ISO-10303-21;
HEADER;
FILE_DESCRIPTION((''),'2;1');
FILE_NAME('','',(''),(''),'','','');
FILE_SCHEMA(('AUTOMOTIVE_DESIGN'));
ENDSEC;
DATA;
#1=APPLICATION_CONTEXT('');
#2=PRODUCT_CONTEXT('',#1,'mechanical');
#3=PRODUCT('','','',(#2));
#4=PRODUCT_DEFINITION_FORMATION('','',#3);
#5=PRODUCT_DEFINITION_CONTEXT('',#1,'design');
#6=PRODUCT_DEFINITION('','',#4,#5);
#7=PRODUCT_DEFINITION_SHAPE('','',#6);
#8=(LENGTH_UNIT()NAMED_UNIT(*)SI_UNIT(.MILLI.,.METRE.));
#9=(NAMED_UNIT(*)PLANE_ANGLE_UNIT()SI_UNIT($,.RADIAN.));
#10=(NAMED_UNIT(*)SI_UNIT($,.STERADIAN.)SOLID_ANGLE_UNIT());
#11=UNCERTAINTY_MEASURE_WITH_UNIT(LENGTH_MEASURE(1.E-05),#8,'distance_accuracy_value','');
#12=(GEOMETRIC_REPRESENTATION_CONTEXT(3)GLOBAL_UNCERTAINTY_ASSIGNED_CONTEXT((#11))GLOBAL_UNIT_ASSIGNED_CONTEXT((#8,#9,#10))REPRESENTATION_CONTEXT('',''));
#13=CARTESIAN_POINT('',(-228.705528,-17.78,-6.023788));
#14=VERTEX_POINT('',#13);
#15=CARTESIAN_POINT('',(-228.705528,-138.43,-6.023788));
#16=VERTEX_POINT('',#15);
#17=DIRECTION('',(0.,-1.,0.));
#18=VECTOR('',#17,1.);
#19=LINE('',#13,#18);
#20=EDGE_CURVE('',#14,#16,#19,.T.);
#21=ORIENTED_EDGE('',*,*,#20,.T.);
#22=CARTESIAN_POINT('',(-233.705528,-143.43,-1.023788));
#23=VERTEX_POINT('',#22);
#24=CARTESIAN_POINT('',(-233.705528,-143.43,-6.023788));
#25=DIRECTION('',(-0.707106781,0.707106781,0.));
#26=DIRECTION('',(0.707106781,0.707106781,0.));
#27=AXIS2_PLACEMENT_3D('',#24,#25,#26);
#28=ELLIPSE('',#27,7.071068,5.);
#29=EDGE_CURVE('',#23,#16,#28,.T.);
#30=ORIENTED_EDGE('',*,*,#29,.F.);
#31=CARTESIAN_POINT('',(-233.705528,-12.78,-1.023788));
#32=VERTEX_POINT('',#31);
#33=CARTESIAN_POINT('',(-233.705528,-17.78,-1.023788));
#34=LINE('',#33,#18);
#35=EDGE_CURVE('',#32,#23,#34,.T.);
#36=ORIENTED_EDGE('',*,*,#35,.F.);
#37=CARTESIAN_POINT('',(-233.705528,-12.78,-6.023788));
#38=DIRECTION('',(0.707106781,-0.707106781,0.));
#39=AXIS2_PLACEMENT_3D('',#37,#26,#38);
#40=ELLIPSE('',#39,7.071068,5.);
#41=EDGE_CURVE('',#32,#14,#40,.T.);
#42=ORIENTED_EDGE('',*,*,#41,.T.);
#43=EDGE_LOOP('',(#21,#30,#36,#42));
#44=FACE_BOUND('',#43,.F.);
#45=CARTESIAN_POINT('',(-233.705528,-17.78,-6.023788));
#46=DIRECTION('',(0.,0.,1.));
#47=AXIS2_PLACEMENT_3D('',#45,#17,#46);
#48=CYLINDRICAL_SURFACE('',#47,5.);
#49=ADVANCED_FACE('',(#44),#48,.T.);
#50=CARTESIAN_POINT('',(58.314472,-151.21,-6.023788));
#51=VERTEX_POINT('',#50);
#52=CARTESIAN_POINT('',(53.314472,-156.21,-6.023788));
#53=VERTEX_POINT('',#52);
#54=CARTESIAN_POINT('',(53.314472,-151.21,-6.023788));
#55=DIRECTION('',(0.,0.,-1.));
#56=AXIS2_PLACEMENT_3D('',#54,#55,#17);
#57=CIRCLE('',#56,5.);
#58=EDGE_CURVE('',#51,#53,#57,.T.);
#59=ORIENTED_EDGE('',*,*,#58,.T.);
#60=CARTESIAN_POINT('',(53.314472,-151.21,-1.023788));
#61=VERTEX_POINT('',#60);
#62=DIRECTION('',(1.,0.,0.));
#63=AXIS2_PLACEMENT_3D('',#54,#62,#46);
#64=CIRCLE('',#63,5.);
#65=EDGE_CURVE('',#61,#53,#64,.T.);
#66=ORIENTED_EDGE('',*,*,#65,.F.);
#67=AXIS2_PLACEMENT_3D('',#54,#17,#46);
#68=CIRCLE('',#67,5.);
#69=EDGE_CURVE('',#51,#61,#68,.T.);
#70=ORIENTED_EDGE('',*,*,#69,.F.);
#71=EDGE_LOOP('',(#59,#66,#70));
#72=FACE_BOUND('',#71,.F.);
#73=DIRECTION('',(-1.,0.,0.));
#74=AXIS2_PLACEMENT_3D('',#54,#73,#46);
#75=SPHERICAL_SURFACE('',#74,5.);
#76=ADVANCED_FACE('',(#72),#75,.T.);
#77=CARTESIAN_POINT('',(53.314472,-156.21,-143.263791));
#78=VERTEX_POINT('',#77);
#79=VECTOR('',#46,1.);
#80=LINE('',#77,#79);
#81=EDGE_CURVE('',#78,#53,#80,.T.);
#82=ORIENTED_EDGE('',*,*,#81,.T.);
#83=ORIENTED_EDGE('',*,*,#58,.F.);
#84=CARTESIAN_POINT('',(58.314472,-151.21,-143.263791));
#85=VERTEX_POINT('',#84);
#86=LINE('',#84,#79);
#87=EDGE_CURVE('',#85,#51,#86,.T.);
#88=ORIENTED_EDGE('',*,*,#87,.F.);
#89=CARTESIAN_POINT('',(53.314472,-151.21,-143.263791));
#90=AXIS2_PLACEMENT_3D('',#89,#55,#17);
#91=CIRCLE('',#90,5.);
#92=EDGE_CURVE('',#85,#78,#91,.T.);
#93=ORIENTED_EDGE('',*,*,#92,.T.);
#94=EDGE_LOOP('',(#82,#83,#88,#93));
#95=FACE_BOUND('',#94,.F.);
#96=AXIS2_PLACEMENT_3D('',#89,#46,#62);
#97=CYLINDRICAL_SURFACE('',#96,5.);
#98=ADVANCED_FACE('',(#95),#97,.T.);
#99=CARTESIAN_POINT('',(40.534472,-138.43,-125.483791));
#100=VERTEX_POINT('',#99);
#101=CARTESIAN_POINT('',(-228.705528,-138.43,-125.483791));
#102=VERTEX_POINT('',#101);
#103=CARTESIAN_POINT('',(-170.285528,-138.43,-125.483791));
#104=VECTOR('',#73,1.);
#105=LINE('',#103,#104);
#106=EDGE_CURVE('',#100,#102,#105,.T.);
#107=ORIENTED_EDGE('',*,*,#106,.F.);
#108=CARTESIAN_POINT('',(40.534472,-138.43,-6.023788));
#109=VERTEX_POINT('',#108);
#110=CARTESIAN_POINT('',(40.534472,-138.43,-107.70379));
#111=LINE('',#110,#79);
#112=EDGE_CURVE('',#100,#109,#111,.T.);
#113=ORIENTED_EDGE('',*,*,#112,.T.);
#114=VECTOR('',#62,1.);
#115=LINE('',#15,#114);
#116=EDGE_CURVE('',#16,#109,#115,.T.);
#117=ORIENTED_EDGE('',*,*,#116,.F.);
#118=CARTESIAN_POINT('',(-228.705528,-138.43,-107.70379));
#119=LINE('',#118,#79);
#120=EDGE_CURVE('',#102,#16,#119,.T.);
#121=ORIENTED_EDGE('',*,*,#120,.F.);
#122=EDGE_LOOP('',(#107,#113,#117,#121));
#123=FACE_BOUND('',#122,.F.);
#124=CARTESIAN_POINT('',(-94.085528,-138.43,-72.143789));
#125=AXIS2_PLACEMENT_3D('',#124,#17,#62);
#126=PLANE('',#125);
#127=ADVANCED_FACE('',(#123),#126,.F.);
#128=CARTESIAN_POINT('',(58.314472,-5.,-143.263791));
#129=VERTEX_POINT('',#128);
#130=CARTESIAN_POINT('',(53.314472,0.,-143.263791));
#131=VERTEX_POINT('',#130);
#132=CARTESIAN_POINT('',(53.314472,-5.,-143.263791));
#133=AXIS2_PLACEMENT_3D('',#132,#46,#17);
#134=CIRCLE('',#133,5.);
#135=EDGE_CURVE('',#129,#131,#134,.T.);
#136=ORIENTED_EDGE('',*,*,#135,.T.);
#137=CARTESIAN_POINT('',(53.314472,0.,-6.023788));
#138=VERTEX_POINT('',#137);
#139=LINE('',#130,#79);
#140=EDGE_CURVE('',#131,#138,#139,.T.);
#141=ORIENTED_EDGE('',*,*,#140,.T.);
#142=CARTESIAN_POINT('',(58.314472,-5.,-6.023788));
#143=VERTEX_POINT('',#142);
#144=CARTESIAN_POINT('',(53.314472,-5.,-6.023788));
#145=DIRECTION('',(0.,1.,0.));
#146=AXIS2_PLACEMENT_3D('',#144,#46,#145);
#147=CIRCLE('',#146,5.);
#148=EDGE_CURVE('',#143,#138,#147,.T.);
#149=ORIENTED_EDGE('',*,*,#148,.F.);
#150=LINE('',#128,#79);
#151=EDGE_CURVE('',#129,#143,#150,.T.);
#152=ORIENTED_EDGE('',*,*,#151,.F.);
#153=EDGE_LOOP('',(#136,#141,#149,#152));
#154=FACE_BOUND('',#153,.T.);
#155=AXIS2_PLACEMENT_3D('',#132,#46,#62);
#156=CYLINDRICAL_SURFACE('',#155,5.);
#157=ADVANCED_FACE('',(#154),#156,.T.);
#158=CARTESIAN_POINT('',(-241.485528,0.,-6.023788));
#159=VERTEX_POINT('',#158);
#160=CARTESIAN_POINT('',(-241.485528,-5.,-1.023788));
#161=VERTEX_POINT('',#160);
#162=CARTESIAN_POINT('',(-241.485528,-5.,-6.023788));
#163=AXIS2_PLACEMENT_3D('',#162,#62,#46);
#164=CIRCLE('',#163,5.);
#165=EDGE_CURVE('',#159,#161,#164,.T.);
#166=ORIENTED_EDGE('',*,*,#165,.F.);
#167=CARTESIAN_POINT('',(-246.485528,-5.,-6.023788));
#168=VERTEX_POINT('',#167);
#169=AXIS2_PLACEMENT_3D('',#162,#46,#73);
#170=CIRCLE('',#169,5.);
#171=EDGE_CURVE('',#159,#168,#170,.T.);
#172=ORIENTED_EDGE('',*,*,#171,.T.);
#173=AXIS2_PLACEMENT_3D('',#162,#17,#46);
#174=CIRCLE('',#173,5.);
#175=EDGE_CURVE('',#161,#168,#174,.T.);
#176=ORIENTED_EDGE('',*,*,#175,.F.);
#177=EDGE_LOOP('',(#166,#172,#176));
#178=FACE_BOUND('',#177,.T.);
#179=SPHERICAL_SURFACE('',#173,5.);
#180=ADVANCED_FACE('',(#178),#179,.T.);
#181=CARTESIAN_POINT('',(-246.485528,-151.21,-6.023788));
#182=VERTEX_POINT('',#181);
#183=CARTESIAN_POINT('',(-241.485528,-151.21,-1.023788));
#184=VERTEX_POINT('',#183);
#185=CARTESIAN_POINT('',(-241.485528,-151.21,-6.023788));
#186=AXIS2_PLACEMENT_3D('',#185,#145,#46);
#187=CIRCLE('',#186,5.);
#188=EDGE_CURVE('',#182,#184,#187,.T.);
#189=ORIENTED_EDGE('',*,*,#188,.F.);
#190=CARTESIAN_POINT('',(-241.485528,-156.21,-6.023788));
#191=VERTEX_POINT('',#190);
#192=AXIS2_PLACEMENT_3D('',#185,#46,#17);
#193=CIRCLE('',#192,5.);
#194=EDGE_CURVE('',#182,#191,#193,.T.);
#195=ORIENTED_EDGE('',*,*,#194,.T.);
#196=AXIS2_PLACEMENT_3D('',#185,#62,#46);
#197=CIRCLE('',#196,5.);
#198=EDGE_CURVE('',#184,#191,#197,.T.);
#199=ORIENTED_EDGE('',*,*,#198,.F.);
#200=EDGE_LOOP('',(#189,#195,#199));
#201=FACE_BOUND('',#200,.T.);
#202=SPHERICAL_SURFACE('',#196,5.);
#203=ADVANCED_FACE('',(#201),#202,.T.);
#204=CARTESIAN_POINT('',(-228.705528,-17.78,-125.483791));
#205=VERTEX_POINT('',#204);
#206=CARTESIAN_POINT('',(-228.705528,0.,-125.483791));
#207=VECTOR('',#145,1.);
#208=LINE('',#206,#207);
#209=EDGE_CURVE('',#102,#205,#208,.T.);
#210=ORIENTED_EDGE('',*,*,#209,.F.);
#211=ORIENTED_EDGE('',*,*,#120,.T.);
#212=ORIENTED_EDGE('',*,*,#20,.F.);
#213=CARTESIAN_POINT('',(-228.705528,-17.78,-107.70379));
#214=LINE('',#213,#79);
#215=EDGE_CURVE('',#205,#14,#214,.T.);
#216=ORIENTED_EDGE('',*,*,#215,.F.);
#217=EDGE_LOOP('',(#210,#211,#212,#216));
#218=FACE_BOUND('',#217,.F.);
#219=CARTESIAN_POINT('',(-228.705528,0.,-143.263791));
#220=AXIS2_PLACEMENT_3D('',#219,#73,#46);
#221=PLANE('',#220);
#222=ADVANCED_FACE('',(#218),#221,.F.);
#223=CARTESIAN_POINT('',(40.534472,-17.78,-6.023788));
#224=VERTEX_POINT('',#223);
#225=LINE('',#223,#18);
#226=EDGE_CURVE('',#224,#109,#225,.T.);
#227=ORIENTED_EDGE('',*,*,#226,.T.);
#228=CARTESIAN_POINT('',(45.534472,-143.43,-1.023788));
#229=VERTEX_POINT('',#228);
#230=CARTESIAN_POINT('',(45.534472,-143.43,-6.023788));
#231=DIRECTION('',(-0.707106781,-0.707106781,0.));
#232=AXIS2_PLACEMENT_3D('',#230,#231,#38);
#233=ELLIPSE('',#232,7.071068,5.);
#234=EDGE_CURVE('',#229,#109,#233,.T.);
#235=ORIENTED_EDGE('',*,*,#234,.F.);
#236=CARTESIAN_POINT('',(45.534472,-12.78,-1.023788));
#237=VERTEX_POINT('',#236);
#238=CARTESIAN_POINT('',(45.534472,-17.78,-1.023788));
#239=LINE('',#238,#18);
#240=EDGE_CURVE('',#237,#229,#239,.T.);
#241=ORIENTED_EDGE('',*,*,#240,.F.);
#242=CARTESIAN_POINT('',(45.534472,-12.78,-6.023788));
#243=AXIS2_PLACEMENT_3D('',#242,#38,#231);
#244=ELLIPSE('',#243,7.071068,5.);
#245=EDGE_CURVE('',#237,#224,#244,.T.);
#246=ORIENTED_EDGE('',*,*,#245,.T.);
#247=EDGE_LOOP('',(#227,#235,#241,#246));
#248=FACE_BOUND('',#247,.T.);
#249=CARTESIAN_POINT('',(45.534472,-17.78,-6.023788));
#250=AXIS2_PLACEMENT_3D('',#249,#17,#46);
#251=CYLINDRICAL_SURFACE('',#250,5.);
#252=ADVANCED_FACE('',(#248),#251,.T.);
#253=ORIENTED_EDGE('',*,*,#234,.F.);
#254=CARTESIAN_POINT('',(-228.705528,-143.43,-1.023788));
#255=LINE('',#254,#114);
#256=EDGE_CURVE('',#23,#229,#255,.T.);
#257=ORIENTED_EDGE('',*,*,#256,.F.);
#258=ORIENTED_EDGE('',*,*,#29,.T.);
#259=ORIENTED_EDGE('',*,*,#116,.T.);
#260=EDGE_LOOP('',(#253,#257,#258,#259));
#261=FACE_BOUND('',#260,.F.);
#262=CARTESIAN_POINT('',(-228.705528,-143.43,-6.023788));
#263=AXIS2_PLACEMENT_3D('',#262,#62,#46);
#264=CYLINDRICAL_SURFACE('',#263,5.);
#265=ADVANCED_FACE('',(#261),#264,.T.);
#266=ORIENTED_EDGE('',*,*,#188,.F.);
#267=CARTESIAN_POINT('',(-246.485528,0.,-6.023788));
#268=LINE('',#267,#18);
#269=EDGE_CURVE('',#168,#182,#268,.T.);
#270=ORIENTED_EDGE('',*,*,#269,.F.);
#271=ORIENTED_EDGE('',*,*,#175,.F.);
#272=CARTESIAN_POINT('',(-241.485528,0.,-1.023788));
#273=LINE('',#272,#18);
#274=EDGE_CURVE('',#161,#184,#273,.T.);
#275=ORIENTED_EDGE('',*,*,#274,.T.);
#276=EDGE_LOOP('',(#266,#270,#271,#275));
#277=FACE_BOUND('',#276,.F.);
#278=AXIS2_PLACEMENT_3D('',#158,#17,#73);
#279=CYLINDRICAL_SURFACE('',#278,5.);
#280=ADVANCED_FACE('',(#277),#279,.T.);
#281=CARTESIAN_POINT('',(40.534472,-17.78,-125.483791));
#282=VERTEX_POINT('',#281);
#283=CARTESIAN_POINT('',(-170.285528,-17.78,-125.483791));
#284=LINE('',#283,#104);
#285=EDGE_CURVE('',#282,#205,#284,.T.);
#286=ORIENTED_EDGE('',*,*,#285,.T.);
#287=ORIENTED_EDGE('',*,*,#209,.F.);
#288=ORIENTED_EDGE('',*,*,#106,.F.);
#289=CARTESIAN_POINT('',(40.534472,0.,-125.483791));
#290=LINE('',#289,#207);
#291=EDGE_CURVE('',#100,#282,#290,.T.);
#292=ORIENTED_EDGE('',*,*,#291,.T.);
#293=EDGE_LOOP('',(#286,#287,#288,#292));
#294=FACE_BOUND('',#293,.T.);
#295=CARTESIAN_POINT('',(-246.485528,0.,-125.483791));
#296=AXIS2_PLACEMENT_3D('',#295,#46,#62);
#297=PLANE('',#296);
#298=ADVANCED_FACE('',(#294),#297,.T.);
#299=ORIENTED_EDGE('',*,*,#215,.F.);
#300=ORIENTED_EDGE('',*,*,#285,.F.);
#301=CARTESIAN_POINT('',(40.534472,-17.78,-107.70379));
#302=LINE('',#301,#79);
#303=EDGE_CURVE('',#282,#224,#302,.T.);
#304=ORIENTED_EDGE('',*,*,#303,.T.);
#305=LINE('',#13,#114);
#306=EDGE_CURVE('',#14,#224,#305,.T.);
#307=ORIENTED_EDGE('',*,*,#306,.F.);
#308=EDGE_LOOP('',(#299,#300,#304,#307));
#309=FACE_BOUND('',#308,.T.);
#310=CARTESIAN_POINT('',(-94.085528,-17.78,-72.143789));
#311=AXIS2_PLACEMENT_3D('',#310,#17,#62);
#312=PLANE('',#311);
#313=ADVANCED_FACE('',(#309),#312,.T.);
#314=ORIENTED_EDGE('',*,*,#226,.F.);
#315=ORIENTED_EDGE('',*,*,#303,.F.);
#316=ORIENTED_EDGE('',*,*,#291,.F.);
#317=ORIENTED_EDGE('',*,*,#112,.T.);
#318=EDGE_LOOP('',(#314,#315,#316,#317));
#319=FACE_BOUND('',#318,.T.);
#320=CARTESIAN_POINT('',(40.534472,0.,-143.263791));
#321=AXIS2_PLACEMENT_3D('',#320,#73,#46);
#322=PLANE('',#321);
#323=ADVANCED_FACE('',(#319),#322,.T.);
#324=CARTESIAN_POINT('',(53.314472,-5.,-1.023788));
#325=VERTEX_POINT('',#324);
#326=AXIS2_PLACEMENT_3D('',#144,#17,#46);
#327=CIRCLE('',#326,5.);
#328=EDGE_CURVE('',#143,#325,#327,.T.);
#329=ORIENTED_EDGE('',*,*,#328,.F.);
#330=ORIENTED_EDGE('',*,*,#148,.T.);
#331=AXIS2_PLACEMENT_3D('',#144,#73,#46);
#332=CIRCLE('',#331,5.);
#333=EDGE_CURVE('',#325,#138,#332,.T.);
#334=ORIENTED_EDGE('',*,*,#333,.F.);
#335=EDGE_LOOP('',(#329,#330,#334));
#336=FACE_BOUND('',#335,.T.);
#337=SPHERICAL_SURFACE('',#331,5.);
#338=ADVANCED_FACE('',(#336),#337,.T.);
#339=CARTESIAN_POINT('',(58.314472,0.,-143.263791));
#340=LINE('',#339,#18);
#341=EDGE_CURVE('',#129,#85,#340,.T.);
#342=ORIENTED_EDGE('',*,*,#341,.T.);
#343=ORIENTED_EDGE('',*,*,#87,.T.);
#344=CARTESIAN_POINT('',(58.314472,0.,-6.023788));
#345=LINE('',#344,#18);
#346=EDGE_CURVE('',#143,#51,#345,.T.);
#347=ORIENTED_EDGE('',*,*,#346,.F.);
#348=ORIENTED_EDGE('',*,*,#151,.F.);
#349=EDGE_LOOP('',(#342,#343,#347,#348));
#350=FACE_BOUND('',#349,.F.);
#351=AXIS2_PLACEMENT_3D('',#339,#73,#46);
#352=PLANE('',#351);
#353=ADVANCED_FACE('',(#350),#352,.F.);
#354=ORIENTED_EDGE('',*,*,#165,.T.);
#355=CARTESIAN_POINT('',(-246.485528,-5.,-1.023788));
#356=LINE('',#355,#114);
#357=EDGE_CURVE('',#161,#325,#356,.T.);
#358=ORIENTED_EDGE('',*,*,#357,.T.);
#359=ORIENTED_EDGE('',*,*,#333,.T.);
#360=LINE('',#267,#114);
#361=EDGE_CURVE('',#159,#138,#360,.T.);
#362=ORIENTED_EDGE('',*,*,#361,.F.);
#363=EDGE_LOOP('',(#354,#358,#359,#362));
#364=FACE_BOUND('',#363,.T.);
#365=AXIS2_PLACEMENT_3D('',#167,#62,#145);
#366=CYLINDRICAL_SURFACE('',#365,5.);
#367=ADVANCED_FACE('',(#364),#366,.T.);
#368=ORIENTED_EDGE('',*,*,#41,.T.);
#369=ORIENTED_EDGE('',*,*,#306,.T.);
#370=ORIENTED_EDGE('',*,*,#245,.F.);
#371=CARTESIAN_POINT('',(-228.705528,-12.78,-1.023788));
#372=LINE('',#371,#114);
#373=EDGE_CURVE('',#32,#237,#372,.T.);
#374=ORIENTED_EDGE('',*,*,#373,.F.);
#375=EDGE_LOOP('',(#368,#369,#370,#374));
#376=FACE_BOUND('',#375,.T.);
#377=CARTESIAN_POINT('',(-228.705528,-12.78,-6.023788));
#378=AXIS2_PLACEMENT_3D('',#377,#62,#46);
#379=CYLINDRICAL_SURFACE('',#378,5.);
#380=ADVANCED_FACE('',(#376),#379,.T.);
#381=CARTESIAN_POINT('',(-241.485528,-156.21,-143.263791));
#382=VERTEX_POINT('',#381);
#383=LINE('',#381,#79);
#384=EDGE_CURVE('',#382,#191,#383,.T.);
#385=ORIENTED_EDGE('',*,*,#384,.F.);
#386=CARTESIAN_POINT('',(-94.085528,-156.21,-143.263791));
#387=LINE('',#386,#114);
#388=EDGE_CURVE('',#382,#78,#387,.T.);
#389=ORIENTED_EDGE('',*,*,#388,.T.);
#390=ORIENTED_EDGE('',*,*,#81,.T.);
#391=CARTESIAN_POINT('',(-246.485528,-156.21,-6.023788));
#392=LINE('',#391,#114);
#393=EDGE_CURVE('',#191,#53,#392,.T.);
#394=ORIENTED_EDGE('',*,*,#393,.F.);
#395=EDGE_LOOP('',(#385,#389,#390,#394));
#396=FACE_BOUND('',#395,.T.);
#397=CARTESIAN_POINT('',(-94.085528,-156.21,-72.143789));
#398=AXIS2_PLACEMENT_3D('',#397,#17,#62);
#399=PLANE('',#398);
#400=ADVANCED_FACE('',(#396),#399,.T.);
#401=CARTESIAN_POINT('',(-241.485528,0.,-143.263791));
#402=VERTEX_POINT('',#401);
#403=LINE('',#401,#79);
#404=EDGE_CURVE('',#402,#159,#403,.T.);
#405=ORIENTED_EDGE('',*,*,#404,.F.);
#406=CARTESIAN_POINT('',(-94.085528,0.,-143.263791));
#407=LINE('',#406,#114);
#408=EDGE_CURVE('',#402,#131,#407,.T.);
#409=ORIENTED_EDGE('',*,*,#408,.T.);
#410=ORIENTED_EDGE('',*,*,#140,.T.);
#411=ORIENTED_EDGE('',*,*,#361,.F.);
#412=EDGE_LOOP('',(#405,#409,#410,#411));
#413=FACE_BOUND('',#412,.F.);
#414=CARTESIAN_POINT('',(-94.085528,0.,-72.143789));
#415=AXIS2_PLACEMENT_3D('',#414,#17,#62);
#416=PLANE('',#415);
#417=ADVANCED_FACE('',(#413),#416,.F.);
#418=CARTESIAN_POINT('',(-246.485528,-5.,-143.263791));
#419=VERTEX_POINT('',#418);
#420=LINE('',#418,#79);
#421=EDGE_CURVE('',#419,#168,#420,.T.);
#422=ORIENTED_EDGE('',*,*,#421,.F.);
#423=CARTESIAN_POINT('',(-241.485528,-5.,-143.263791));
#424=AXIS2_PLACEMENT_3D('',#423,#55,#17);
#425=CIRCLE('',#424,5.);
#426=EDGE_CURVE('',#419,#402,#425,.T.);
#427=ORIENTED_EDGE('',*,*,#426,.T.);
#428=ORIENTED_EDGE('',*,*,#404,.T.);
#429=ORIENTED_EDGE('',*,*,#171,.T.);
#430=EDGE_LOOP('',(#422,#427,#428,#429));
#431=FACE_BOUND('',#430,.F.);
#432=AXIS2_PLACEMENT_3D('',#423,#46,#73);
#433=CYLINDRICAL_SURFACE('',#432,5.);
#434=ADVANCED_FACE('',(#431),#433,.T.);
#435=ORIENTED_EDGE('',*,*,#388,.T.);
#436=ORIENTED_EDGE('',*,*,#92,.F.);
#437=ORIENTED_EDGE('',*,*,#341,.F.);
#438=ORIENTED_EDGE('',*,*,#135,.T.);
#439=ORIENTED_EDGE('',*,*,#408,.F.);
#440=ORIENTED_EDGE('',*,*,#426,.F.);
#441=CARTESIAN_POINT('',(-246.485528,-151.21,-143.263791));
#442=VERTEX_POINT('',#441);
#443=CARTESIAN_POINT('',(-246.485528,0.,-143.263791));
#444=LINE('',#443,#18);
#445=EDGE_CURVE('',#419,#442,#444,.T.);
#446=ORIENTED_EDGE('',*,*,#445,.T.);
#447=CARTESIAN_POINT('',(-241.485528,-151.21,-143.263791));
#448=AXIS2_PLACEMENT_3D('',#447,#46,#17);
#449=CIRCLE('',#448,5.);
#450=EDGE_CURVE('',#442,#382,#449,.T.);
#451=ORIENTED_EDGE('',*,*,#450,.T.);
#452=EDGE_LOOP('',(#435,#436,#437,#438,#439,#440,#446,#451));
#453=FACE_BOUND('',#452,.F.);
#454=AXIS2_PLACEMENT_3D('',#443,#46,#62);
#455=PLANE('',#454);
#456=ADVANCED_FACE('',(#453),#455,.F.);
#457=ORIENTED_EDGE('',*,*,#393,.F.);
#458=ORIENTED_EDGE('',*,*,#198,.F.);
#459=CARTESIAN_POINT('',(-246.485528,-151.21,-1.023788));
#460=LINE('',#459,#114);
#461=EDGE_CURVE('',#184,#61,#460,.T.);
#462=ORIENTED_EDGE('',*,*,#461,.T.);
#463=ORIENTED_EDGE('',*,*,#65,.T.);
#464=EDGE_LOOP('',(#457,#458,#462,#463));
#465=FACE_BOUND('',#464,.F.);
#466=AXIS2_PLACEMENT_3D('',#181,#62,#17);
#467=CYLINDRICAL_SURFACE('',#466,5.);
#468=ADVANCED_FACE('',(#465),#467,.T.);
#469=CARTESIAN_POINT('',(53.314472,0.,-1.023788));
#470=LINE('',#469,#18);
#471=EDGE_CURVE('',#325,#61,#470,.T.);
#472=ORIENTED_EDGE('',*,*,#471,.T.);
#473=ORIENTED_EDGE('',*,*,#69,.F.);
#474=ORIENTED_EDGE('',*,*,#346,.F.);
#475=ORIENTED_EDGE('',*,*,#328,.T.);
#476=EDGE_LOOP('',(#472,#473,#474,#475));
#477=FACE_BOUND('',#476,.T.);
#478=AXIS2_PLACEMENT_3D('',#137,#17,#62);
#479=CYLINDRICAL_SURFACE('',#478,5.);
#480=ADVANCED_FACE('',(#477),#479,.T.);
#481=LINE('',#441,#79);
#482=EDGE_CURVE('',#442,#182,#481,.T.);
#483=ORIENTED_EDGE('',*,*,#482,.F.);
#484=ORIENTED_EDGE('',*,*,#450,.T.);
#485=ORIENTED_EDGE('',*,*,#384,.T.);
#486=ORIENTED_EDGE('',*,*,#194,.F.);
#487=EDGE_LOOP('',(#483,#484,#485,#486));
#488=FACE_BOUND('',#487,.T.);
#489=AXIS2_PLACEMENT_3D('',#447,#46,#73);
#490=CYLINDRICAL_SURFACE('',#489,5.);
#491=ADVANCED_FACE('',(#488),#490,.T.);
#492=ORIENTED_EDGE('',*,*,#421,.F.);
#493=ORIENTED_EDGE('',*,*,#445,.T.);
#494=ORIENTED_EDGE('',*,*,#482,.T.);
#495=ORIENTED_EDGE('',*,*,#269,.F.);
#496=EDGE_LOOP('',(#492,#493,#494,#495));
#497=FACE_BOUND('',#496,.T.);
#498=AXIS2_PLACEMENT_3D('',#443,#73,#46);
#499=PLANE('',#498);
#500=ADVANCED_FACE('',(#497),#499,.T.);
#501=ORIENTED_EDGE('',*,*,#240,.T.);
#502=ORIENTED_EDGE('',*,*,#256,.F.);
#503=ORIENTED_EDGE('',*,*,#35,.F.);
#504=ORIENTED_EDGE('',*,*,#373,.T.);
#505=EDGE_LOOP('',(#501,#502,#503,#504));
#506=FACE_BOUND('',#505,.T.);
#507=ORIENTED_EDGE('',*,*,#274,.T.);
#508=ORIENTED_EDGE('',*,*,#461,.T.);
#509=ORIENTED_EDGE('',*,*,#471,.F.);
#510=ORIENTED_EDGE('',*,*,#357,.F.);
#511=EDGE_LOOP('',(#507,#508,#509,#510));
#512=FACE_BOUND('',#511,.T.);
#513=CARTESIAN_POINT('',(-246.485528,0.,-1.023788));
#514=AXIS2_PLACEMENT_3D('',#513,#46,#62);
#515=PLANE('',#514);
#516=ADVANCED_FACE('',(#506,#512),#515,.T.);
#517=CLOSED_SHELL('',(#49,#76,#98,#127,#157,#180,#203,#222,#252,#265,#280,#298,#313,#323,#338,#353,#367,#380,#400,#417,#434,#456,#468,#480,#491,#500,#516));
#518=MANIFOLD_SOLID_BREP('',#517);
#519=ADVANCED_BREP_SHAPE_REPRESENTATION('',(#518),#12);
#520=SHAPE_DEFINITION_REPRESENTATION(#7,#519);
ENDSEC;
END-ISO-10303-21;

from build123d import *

# Parameters (mm, degrees)
F0_W     = 304.8
F0_H     = 142.2400027159
F1_DEPTH = 156.21
F2_T     = -17.78
F4_R     = 5


with BuildPart() as f1:
    # F0 (on Front) → F1 (new body)
    with BuildSketch(Plane.XZ):
        with Locations((-94.085527584, 5.834210664)):
            Rectangle(F0_W, F0_H)
    extrude(amount=F1_DEPTH)

    # F2
    f2_openings = [f1.faces().sort_by_distance(p)[0] for p in [
        (-94.085528, -78.105, 76.954212),
    ]]
    offset(amount=F2_T, openings=f2_openings)


with BuildPart() as f1_1:
    # F3: moved
    add(f1.part.moved(Location((0, 0, -77.978))))

    # F4
    f4_edges = [f1_1.edges().sort_by_distance(p)[0] for p in [
        (-94.085528, -156.21, -1.023788),
        (-246.485528, -78.105, -1.023788),
        (-94.085528, 0, -1.023788),
        (58.314472, -78.105, -1.023788),
        (40.534472, -78.105, -1.023788),
        (-94.085528, -138.43, -1.023788),
        (-94.085528, -17.78, -1.023788),
        (-228.705528, -78.105, -1.023788),
        (-246.485528, -156.21, -72.143789),
        (58.314472, -156.21, -72.143789),
        (-246.485528, 0, -72.143789),
        (58.314472, 0, -72.143789),
    ]]
    fillet(f4_edges, radius=F4_R)


solid = f1_1.part
